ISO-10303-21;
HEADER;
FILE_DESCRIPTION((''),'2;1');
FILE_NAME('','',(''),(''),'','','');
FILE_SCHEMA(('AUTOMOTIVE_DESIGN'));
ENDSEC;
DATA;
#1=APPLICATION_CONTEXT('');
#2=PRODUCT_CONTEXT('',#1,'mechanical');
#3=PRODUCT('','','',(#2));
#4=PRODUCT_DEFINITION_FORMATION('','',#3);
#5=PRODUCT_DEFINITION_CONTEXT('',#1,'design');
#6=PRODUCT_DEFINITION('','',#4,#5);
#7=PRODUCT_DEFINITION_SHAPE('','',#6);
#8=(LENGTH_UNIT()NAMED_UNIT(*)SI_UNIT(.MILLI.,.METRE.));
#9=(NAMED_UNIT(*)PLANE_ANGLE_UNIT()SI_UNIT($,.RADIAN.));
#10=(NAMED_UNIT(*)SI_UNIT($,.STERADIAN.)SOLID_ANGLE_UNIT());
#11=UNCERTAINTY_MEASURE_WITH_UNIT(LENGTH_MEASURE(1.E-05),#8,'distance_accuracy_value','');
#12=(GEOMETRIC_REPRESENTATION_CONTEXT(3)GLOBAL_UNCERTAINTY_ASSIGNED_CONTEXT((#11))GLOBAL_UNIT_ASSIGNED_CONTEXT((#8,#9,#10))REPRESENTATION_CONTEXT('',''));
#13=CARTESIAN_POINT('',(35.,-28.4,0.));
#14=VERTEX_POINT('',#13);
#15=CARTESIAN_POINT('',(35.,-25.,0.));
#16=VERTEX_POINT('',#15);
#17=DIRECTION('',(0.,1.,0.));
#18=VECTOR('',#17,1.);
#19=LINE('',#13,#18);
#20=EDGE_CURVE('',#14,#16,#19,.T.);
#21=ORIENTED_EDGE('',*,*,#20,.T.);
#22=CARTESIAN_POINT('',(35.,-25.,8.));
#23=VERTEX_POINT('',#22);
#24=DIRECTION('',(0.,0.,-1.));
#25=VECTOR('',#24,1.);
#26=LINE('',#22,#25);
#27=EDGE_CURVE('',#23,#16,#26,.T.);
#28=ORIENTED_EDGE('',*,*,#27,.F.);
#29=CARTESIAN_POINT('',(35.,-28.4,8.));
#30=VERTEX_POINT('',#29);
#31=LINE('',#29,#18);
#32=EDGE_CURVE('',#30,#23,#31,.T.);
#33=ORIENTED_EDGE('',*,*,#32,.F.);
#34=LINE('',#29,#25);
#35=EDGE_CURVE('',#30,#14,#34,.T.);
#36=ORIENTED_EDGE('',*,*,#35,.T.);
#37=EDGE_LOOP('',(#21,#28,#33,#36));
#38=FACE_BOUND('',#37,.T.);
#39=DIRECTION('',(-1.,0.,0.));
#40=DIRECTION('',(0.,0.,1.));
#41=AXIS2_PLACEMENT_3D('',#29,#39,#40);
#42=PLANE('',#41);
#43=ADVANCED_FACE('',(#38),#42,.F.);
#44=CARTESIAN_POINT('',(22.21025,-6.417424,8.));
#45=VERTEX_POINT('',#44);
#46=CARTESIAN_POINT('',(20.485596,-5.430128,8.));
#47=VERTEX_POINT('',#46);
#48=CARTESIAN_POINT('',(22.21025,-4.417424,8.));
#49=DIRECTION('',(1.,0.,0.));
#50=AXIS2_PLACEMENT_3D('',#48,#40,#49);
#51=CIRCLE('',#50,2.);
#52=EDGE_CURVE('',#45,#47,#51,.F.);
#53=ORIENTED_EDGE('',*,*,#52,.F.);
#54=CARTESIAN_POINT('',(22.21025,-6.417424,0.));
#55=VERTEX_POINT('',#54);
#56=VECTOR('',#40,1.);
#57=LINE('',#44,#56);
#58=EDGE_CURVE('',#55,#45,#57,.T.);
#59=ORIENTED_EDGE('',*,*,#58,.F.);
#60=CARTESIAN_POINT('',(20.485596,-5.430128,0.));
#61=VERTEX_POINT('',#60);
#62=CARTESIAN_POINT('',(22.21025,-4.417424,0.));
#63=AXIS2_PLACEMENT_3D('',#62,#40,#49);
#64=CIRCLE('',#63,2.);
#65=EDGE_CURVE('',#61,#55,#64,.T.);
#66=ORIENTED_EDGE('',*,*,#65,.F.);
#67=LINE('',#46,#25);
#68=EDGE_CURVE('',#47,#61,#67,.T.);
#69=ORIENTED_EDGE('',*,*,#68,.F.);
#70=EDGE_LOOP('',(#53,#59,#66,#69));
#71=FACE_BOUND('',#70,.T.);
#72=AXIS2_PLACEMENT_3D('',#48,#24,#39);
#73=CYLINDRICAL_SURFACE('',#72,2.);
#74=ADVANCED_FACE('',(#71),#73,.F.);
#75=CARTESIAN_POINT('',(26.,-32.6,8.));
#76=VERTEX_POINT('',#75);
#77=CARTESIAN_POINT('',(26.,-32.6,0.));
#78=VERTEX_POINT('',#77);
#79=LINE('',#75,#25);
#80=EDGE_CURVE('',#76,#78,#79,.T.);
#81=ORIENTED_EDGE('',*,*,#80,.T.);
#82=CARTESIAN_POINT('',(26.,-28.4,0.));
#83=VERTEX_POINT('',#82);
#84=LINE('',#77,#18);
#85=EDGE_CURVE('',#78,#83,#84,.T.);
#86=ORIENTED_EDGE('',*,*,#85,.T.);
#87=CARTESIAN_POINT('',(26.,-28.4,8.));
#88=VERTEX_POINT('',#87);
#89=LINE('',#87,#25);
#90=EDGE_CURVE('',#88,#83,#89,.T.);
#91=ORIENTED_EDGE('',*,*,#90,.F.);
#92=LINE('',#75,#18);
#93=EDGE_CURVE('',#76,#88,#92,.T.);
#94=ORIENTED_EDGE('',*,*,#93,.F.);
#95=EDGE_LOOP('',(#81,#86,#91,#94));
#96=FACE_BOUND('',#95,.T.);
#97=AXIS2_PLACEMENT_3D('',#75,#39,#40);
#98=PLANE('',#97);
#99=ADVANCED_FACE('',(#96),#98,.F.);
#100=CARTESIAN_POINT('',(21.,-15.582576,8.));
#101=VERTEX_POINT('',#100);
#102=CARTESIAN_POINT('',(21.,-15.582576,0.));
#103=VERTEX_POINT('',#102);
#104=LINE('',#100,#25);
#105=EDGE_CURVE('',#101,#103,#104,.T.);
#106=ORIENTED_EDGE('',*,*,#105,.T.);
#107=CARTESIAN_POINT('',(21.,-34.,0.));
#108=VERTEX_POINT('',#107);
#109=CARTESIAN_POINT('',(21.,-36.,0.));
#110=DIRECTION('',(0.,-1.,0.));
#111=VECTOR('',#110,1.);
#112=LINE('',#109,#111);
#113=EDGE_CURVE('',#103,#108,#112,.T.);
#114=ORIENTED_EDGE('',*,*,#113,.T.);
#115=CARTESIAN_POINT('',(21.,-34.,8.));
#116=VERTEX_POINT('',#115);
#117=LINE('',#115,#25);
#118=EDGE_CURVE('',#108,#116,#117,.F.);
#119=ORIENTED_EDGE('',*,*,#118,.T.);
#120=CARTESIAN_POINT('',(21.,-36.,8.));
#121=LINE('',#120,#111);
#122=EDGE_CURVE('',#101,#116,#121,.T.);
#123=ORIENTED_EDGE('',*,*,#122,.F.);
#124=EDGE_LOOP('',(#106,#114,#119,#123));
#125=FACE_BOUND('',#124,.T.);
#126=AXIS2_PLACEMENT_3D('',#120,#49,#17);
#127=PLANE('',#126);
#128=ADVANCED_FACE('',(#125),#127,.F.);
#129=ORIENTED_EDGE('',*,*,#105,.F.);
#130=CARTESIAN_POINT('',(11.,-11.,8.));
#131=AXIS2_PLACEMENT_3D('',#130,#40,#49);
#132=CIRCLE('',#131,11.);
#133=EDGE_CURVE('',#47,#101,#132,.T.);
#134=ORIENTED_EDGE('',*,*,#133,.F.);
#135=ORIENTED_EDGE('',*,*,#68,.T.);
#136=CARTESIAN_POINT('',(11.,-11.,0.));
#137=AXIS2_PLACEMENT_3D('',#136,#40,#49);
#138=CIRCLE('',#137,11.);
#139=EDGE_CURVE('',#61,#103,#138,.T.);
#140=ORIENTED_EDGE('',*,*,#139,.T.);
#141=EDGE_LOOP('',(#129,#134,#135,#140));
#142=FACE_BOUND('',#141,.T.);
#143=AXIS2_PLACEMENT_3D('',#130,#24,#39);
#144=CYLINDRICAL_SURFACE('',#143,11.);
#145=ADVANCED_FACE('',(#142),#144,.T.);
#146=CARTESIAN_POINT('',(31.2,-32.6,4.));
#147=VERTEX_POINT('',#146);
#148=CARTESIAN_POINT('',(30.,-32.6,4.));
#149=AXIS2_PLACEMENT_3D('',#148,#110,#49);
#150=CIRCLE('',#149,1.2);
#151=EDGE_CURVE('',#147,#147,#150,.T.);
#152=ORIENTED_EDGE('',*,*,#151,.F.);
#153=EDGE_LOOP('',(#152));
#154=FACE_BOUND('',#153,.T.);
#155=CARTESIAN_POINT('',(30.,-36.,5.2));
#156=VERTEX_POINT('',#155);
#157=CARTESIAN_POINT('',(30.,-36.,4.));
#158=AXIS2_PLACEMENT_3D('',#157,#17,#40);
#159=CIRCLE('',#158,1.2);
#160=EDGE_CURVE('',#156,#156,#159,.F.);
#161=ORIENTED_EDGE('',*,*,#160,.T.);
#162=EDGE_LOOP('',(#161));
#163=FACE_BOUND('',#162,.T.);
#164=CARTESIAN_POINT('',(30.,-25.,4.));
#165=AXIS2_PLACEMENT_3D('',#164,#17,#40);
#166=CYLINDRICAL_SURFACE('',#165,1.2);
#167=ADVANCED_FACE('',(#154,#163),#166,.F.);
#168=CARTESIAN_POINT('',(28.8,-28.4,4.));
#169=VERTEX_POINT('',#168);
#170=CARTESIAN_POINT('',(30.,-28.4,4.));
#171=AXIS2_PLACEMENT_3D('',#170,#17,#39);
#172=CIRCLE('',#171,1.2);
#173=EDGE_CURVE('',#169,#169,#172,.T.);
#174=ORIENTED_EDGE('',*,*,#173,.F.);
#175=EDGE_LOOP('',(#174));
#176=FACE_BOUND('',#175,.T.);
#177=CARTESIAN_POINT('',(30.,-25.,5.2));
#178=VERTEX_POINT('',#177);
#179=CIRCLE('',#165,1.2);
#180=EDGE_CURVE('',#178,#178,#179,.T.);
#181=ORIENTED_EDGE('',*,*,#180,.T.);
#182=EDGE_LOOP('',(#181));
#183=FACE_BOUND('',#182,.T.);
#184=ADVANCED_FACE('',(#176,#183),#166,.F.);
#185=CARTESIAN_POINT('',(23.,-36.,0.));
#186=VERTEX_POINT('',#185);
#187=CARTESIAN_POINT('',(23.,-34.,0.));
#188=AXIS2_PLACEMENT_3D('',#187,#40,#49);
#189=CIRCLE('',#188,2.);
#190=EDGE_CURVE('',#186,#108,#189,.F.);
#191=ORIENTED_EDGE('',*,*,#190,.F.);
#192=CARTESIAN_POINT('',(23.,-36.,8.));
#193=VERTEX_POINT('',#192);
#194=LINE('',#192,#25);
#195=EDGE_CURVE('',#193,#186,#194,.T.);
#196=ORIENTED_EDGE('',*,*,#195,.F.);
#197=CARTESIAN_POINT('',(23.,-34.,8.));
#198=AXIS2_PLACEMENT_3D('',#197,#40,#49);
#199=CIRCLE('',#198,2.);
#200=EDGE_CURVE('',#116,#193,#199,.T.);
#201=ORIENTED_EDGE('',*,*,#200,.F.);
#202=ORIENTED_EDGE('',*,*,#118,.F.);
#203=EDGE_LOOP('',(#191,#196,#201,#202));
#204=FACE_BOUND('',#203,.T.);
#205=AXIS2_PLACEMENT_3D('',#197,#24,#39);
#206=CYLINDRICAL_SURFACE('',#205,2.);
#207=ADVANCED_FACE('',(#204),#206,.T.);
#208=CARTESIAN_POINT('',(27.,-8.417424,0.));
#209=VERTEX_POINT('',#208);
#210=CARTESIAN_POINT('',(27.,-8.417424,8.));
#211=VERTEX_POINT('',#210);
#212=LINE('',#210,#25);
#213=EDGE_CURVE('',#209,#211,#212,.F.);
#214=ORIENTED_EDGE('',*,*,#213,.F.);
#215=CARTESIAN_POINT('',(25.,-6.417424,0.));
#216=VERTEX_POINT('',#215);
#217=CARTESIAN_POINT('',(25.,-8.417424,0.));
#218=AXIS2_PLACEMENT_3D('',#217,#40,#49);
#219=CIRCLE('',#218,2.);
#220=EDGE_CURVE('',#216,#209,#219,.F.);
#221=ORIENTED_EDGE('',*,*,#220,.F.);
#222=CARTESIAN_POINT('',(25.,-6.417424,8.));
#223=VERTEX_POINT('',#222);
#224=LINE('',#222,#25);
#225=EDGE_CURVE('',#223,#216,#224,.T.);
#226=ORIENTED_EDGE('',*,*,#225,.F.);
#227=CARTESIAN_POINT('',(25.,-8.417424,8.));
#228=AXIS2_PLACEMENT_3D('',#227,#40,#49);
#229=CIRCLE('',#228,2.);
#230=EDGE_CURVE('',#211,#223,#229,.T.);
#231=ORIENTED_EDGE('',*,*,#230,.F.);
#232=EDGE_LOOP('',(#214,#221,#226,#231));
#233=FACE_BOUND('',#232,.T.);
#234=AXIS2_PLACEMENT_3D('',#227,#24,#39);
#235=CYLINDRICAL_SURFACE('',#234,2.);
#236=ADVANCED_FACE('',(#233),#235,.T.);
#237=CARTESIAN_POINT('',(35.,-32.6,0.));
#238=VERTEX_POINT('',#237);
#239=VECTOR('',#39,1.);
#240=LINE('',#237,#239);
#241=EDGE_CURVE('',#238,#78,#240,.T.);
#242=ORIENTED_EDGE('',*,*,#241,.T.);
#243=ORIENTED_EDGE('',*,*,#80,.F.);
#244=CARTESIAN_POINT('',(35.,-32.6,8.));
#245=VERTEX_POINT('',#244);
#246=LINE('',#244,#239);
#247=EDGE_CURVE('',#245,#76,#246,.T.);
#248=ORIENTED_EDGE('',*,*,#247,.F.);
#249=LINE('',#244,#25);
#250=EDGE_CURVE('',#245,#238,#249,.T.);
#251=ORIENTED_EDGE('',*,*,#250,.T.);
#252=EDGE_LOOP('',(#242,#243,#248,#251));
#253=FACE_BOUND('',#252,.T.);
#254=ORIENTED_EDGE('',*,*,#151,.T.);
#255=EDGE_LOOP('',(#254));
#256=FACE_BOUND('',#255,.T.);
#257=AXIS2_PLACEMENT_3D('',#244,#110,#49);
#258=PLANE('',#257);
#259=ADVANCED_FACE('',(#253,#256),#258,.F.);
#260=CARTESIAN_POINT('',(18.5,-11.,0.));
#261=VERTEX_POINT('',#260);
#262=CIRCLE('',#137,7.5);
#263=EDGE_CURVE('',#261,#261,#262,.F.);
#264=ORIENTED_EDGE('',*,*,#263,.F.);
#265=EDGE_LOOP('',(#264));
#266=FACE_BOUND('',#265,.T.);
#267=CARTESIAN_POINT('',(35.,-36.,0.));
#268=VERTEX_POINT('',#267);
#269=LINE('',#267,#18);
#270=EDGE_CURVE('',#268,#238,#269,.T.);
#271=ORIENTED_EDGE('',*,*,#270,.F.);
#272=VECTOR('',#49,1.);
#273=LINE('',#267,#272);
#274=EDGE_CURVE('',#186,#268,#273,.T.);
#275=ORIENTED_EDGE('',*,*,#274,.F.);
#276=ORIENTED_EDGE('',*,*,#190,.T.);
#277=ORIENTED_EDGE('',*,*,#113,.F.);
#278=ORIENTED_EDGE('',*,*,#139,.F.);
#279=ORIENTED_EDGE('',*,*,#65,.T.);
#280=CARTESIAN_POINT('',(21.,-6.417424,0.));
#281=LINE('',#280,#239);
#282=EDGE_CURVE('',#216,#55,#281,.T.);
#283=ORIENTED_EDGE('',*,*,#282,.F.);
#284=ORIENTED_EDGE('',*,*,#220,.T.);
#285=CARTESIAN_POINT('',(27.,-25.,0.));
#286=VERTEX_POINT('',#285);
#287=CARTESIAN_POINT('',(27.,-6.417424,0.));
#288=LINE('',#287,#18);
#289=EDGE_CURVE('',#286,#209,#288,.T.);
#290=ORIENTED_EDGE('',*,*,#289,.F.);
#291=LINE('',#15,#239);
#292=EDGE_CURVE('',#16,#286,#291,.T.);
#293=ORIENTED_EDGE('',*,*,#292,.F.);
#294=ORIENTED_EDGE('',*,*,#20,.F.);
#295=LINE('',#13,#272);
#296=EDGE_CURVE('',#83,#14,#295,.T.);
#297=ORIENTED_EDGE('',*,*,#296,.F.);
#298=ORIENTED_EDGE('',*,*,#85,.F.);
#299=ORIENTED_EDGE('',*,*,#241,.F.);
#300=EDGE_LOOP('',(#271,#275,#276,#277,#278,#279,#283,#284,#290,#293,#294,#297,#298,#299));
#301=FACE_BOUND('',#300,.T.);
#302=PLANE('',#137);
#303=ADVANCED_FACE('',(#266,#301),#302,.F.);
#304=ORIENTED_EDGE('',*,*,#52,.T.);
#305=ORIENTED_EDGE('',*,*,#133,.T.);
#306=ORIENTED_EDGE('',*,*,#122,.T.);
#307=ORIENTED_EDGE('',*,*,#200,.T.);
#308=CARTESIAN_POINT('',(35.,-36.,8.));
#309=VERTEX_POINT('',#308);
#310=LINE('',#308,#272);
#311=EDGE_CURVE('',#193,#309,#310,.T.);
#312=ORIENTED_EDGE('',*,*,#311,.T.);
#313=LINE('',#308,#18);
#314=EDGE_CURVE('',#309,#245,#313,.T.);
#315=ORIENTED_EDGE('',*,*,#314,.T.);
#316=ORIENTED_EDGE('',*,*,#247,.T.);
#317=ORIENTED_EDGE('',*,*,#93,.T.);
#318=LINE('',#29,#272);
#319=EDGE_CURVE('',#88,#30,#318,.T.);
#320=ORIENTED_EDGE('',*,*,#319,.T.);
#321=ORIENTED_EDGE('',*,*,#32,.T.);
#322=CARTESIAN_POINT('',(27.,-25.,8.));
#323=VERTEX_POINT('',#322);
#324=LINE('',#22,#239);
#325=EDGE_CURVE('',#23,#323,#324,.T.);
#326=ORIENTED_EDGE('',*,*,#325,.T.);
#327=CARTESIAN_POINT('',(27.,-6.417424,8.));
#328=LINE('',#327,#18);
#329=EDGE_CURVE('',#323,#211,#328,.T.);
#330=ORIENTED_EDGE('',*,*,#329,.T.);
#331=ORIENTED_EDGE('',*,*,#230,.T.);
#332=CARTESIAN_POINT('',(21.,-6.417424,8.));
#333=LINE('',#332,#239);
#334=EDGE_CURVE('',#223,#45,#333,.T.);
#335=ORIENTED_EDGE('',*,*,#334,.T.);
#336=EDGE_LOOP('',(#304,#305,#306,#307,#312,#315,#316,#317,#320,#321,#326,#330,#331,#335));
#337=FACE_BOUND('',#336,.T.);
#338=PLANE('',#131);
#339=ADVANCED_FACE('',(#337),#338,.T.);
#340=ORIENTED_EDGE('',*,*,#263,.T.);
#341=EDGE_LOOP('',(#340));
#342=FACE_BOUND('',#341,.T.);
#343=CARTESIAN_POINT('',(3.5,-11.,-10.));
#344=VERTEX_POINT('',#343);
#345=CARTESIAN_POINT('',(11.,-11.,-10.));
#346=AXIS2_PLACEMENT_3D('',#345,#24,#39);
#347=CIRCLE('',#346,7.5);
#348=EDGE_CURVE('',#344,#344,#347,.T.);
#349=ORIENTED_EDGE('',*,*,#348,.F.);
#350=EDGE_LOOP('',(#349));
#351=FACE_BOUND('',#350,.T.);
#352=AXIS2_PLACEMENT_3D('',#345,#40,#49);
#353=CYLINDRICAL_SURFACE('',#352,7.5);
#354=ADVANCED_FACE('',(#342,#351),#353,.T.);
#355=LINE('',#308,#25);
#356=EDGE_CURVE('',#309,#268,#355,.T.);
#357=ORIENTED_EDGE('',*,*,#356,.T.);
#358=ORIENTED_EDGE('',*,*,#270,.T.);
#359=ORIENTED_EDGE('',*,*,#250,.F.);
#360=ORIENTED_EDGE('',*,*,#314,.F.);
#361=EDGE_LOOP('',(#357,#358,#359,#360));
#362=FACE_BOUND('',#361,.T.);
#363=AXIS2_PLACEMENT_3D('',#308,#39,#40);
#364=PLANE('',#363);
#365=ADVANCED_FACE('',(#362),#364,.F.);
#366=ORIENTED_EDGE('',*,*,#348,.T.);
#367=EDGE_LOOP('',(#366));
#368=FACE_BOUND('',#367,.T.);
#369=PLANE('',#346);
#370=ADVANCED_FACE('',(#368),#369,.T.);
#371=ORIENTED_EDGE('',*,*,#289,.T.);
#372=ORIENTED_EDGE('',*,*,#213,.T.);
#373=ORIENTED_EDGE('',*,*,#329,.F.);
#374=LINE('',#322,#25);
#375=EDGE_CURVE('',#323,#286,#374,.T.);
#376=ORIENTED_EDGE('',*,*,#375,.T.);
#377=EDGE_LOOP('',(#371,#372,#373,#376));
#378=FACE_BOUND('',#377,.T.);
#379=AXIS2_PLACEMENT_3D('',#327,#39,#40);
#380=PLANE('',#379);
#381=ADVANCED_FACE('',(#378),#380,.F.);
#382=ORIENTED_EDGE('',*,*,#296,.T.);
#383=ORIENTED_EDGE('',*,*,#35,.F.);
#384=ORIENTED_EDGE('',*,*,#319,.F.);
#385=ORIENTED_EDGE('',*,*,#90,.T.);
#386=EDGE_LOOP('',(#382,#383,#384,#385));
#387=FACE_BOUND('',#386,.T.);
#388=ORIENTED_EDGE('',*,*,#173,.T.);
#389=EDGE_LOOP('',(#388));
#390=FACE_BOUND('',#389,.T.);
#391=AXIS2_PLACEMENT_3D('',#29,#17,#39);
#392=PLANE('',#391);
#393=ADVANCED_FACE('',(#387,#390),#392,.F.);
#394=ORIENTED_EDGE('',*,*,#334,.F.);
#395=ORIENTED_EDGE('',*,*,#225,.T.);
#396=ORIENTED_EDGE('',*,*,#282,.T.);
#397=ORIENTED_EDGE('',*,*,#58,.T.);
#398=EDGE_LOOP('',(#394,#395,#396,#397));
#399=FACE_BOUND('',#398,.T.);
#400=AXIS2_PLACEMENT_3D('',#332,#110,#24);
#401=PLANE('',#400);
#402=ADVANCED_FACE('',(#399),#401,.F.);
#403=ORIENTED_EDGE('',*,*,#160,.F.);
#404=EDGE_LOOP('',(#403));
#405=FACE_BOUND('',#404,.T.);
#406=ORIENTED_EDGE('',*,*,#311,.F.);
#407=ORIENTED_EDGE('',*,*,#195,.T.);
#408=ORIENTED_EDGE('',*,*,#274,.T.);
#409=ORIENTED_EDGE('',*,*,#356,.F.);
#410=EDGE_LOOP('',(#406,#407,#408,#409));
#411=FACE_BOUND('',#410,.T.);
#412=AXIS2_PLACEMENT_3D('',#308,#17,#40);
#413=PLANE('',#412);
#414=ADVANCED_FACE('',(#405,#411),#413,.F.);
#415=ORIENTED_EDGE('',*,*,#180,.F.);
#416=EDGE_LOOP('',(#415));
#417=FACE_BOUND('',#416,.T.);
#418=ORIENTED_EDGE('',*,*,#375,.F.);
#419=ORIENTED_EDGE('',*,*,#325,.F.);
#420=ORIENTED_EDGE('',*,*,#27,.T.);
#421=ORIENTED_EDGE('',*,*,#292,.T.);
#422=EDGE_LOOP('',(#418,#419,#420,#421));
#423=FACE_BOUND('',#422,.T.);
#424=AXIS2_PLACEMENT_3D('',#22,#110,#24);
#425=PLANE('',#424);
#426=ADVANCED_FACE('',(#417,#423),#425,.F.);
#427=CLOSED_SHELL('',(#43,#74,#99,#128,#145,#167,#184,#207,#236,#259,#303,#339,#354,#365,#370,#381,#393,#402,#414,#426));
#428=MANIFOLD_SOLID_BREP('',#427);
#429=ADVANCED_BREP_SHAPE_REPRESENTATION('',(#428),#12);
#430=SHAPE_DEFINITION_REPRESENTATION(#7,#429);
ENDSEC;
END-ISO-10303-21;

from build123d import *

# Parameters (mm, degrees)
BOSS_EXTRU_1_DEPTH      = 8
ENL_V_MAT_EXTRU_1_REACH = 45.749
ESQUISSE2_R             = 1
D_GAGEMENT_M21_D        = 2.4
D_GAGEMENT_M21_DEPTH    = 11
D_GAGEMENT_M21_TIP      = 0.721032743
CONG_1_R                = 2
ESQUISSE6_R             = 7.5
BOSS_EXTRU_3_DEPTH      = 10


with BuildPart() as part:
    # Esquisse1 → Boss.-Extru.1 (new body)
    with BuildSketch(Plane.XY):
        with BuildLine():
            Line((21, -6.417424305), (27, -6.417424305))
            Line((27, -6.417424305), (27, -25))
            Line((27, -25), (35, -25))
            Line((35, -25), (35, -28.4))
            Line((35, -28.4), (26, -28.4))
            Line((26, -28.4), (26, -32.6))
            Line((26, -32.6), (35, -32.6))
            Line((35, -32.6), (35, -36))
            Line((35, -36), (21, -36))
            Line((21, -36), (21, -15.582575695))
            ThreePointArc((21, -15.582575695), (0, -11), (21, -6.417424305))
        make_face()
    extrude(amount=BOSS_EXTRU_1_DEPTH)

    # Enlèv. mat.-Extru.1: up to this face of the body (flat: up to its plane)
    enl_v_mat_extru_1_end = Plane(part.part.faces().sort_by_distance((28, -36, 4))[0])
    # Esquisse2 → Enlèv. mat.-Extru.1 (cut, up to the picked face)
    with BuildSketch(Plane(origin=(0, -25, 0), x_dir=(1, 0, 0), z_dir=(0, 1, 0)), mode=Mode.PRIVATE) as enl_v_mat_extru_1_sk1:
        with Locations(Location((30, -4, 0), (0, 0, 270))):
            Circle(ESQUISSE2_R)
    enl_v_mat_extru_1_tool1 = split(extrude(enl_v_mat_extru_1_sk1.sketch, amount=-ENL_V_MAT_EXTRU_1_REACH, mode=Mode.PRIVATE), bisect_by=enl_v_mat_extru_1_end, keep=Keep.BOTH, mode=Mode.PRIVATE)
    add(enl_v_mat_extru_1_tool1.solids().sort_by(Axis((30, -25, 4), (0, -1, 0)))[0], mode=Mode.SUBTRACT)

    # Dégagement M21
    with Locations(Plane(origin=(0, -25, 0), x_dir=(1, 0, 0), z_dir=(0, 1, 0))):
        with Locations((30, -4)):
            Hole(D_GAGEMENT_M21_D / 2, depth=D_GAGEMENT_M21_DEPTH)
            with Locations((0, 0, -(D_GAGEMENT_M21_DEPTH + D_GAGEMENT_M21_TIP / 2))):  # 118° drill point
                Cone(0, D_GAGEMENT_M21_D / 2, D_GAGEMENT_M21_TIP, mode=Mode.SUBTRACT)

    # Congé1
    cong_1_edges = [part.edges().sort_by_distance(p)[0] for p in [
        (21, -36, 4),
        (21, -6.417424305, 4),
        (27, -6.417424305, 4),
    ]]
    fillet(cong_1_edges, radius=CONG_1_R)

    # Esquisse6 → Boss.-Extru.3 (add)
    with BuildSketch(Plane(origin=(0, 0, 0), x_dir=(-1, 0, 0), z_dir=(0, 0, -1))):
        with Locations(Location((-11, -11, 0), (0, 0, 180))):
            Circle(ESQUISSE6_R)
    extrude(amount=BOSS_EXTRU_3_DEPTH)


solid = part.part
